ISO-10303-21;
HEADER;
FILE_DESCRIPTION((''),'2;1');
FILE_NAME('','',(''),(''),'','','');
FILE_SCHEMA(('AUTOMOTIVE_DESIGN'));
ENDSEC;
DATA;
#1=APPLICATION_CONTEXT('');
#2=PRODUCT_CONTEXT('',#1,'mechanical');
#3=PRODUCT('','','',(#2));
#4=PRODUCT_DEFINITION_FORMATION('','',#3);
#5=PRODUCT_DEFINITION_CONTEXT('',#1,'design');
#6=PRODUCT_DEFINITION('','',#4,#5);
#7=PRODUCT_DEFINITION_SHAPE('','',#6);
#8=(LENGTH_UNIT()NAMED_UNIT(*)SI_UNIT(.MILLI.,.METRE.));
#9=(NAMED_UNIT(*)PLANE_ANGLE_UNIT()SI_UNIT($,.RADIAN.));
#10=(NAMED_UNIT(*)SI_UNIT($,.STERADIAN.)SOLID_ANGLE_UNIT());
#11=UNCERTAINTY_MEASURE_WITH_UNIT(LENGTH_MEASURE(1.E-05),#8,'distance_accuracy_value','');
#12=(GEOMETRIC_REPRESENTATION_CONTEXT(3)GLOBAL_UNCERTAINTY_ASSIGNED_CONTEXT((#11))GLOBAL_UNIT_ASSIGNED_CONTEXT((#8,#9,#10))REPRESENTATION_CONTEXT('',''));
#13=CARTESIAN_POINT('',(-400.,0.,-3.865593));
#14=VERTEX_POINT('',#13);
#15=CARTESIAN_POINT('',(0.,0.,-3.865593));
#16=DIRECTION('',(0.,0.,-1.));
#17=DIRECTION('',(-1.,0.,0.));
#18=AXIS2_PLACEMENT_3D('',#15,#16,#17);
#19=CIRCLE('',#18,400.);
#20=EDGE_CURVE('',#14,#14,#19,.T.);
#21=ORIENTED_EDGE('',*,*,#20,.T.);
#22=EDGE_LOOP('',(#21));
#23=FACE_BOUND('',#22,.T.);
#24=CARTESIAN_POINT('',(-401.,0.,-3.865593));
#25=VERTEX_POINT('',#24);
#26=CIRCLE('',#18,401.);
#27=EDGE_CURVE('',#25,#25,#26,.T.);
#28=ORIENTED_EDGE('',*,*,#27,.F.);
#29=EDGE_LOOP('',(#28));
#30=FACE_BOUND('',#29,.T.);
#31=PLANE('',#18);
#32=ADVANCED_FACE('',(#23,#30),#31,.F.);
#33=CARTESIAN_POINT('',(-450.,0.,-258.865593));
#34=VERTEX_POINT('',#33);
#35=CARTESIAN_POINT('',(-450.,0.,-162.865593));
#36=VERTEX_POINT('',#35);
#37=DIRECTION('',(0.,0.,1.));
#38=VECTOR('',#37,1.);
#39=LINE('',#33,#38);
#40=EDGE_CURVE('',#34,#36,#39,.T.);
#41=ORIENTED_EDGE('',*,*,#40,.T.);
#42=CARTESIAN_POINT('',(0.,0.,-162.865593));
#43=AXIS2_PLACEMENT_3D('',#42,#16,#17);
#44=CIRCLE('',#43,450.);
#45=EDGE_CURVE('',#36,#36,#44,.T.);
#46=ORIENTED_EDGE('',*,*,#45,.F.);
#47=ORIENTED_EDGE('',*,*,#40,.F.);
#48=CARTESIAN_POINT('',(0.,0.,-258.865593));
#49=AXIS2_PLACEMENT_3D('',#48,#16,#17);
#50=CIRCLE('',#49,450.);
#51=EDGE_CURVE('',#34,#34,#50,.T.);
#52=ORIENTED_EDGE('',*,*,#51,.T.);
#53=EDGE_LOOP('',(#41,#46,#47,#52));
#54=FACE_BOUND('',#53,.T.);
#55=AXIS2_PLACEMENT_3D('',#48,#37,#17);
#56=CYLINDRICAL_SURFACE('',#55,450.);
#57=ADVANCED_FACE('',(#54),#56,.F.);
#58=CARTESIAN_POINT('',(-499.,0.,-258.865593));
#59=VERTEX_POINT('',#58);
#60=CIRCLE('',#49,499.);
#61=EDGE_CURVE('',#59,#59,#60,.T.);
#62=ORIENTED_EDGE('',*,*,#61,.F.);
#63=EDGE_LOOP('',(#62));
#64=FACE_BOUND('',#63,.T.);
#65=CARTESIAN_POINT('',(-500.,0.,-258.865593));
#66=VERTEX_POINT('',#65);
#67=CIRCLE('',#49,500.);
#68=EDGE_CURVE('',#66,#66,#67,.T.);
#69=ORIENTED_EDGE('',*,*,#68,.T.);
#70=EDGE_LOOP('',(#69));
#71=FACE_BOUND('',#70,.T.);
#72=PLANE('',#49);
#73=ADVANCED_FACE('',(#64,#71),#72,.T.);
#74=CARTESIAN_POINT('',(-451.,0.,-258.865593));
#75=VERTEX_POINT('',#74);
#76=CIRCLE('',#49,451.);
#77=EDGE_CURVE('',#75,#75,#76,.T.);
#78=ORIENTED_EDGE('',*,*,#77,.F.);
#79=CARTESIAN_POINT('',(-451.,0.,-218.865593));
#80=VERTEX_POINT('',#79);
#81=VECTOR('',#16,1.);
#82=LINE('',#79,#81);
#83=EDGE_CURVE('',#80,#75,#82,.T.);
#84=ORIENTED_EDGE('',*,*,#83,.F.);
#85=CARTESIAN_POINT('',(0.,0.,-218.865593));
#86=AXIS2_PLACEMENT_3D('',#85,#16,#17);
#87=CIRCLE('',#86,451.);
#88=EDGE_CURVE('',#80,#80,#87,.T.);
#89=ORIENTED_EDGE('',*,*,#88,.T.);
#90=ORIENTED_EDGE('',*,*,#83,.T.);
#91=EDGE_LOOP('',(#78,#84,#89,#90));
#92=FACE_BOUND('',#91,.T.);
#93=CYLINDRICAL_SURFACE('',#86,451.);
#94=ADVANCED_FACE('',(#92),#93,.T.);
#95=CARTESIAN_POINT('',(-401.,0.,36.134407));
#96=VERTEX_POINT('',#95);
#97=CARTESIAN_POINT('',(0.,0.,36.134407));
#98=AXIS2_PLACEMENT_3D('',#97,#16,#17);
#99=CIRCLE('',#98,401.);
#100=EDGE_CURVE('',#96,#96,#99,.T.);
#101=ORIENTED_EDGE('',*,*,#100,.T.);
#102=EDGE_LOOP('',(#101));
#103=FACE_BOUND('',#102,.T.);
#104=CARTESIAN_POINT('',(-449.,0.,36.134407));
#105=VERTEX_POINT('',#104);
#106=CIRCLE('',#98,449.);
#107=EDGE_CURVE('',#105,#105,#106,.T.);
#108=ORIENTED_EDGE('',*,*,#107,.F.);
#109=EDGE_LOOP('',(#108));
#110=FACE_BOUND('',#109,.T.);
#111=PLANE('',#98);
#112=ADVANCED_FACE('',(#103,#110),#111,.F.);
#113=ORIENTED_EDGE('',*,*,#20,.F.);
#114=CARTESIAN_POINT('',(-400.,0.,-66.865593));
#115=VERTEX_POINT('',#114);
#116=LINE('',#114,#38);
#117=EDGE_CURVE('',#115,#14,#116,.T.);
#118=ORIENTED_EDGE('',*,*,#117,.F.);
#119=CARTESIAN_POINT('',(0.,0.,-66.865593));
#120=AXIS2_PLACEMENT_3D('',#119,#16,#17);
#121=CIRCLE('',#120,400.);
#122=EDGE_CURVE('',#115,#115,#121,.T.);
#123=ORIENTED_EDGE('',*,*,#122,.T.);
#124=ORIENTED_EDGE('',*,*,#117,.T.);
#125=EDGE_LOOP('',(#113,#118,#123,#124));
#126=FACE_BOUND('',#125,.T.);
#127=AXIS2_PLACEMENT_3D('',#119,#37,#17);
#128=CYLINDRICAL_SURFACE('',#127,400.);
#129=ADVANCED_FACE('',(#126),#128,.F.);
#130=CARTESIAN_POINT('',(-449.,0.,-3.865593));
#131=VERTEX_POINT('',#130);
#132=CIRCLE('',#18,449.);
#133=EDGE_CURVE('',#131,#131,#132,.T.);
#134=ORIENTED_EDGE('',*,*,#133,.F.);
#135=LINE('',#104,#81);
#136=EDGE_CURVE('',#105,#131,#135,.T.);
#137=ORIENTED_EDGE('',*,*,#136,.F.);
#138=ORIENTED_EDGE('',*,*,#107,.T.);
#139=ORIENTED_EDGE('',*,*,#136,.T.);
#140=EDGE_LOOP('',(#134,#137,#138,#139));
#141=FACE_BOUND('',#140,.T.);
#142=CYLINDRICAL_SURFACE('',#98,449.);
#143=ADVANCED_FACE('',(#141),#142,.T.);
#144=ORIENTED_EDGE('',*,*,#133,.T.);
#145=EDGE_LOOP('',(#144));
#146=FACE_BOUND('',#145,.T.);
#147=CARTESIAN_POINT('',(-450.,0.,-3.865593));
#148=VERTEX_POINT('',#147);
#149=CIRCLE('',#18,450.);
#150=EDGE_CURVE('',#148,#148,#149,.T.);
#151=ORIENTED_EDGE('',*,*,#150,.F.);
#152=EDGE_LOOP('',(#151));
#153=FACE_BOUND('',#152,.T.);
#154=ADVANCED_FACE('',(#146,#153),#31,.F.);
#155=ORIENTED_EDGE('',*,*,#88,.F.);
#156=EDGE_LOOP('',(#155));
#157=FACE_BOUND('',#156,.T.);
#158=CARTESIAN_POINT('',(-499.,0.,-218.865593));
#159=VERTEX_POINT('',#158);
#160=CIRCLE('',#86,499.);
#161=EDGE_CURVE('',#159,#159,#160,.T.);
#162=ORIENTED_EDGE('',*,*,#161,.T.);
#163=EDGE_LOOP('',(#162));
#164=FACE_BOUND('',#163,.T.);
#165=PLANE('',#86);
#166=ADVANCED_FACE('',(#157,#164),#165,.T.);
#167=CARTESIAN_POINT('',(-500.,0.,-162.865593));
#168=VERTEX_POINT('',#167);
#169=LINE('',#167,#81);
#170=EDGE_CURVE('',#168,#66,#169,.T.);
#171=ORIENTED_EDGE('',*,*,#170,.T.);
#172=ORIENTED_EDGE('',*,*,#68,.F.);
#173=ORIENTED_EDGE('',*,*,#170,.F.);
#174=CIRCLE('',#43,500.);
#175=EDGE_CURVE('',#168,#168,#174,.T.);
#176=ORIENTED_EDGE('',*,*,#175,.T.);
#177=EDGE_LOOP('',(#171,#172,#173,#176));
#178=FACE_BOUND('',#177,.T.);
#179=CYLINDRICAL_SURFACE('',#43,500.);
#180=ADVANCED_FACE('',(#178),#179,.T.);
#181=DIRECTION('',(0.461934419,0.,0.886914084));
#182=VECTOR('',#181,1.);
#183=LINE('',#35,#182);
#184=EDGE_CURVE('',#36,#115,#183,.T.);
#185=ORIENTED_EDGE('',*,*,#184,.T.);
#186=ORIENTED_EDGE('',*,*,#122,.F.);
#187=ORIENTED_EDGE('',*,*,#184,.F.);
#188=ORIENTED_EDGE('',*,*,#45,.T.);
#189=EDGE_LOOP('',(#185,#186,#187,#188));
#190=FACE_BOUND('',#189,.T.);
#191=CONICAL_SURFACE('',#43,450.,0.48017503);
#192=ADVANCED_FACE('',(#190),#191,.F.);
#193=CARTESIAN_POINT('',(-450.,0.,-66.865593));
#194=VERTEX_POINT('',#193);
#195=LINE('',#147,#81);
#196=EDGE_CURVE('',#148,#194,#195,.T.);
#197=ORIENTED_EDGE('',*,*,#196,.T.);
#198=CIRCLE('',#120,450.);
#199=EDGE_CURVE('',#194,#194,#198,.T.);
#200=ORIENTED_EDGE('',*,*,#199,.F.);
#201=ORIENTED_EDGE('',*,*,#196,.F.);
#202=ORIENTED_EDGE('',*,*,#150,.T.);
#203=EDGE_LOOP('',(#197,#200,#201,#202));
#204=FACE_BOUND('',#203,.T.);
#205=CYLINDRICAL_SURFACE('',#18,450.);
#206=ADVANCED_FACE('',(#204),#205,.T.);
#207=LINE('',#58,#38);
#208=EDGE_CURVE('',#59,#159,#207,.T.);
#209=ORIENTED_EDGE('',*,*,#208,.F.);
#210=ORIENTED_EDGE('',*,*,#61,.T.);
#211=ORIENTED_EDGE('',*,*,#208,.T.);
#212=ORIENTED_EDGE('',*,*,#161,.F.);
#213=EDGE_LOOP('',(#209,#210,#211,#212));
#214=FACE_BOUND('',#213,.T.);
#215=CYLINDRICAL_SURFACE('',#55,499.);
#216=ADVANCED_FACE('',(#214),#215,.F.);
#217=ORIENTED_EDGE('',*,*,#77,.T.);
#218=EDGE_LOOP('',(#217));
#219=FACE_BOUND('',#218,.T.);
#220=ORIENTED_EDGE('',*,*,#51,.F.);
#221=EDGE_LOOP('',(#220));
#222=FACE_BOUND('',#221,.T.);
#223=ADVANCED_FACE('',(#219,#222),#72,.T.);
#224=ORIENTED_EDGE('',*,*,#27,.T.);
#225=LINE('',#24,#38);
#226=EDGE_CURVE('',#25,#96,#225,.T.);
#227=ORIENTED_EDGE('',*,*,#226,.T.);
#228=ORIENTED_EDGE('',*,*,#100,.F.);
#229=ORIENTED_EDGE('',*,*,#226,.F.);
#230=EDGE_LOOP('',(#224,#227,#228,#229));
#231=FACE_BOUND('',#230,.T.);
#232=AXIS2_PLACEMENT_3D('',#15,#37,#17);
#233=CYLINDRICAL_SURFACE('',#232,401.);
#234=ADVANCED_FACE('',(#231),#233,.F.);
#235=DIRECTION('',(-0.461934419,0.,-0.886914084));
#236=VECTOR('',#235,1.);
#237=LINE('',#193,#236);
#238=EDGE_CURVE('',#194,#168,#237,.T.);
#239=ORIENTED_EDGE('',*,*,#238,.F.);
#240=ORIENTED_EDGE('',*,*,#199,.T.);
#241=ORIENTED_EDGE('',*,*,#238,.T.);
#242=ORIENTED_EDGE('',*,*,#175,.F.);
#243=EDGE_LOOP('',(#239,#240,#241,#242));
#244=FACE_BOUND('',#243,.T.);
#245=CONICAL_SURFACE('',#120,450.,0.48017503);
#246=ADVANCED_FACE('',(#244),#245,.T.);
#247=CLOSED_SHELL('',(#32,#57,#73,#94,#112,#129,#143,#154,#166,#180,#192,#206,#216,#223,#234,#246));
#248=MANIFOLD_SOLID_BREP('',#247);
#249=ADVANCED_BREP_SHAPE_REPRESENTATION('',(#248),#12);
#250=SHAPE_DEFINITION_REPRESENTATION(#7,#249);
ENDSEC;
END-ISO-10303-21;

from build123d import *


with BuildPart() as f1:
    # F0 (on Front) → F1 (revolve)
    with BuildSketch(Plane.XZ):
        Polygon((-451, -258.865593), (-450, -258.865593), (-450, -162.865593), (-400, -66.865593), (-400, -3.865593), (-401, -3.865593), (-401, 36.134407), (-449, 36.134407), (-449, -3.865593), (-450, -3.865593), (-450, -66.865593), (-500, -162.865593), (-500, -258.865593), (-499, -258.865593), (-499, -218.865593), (-451, -218.865593), align=None)
    revolve(axis=Axis((0, 0, -0.829662), (0, 0, -1)))


solid = f1.part
